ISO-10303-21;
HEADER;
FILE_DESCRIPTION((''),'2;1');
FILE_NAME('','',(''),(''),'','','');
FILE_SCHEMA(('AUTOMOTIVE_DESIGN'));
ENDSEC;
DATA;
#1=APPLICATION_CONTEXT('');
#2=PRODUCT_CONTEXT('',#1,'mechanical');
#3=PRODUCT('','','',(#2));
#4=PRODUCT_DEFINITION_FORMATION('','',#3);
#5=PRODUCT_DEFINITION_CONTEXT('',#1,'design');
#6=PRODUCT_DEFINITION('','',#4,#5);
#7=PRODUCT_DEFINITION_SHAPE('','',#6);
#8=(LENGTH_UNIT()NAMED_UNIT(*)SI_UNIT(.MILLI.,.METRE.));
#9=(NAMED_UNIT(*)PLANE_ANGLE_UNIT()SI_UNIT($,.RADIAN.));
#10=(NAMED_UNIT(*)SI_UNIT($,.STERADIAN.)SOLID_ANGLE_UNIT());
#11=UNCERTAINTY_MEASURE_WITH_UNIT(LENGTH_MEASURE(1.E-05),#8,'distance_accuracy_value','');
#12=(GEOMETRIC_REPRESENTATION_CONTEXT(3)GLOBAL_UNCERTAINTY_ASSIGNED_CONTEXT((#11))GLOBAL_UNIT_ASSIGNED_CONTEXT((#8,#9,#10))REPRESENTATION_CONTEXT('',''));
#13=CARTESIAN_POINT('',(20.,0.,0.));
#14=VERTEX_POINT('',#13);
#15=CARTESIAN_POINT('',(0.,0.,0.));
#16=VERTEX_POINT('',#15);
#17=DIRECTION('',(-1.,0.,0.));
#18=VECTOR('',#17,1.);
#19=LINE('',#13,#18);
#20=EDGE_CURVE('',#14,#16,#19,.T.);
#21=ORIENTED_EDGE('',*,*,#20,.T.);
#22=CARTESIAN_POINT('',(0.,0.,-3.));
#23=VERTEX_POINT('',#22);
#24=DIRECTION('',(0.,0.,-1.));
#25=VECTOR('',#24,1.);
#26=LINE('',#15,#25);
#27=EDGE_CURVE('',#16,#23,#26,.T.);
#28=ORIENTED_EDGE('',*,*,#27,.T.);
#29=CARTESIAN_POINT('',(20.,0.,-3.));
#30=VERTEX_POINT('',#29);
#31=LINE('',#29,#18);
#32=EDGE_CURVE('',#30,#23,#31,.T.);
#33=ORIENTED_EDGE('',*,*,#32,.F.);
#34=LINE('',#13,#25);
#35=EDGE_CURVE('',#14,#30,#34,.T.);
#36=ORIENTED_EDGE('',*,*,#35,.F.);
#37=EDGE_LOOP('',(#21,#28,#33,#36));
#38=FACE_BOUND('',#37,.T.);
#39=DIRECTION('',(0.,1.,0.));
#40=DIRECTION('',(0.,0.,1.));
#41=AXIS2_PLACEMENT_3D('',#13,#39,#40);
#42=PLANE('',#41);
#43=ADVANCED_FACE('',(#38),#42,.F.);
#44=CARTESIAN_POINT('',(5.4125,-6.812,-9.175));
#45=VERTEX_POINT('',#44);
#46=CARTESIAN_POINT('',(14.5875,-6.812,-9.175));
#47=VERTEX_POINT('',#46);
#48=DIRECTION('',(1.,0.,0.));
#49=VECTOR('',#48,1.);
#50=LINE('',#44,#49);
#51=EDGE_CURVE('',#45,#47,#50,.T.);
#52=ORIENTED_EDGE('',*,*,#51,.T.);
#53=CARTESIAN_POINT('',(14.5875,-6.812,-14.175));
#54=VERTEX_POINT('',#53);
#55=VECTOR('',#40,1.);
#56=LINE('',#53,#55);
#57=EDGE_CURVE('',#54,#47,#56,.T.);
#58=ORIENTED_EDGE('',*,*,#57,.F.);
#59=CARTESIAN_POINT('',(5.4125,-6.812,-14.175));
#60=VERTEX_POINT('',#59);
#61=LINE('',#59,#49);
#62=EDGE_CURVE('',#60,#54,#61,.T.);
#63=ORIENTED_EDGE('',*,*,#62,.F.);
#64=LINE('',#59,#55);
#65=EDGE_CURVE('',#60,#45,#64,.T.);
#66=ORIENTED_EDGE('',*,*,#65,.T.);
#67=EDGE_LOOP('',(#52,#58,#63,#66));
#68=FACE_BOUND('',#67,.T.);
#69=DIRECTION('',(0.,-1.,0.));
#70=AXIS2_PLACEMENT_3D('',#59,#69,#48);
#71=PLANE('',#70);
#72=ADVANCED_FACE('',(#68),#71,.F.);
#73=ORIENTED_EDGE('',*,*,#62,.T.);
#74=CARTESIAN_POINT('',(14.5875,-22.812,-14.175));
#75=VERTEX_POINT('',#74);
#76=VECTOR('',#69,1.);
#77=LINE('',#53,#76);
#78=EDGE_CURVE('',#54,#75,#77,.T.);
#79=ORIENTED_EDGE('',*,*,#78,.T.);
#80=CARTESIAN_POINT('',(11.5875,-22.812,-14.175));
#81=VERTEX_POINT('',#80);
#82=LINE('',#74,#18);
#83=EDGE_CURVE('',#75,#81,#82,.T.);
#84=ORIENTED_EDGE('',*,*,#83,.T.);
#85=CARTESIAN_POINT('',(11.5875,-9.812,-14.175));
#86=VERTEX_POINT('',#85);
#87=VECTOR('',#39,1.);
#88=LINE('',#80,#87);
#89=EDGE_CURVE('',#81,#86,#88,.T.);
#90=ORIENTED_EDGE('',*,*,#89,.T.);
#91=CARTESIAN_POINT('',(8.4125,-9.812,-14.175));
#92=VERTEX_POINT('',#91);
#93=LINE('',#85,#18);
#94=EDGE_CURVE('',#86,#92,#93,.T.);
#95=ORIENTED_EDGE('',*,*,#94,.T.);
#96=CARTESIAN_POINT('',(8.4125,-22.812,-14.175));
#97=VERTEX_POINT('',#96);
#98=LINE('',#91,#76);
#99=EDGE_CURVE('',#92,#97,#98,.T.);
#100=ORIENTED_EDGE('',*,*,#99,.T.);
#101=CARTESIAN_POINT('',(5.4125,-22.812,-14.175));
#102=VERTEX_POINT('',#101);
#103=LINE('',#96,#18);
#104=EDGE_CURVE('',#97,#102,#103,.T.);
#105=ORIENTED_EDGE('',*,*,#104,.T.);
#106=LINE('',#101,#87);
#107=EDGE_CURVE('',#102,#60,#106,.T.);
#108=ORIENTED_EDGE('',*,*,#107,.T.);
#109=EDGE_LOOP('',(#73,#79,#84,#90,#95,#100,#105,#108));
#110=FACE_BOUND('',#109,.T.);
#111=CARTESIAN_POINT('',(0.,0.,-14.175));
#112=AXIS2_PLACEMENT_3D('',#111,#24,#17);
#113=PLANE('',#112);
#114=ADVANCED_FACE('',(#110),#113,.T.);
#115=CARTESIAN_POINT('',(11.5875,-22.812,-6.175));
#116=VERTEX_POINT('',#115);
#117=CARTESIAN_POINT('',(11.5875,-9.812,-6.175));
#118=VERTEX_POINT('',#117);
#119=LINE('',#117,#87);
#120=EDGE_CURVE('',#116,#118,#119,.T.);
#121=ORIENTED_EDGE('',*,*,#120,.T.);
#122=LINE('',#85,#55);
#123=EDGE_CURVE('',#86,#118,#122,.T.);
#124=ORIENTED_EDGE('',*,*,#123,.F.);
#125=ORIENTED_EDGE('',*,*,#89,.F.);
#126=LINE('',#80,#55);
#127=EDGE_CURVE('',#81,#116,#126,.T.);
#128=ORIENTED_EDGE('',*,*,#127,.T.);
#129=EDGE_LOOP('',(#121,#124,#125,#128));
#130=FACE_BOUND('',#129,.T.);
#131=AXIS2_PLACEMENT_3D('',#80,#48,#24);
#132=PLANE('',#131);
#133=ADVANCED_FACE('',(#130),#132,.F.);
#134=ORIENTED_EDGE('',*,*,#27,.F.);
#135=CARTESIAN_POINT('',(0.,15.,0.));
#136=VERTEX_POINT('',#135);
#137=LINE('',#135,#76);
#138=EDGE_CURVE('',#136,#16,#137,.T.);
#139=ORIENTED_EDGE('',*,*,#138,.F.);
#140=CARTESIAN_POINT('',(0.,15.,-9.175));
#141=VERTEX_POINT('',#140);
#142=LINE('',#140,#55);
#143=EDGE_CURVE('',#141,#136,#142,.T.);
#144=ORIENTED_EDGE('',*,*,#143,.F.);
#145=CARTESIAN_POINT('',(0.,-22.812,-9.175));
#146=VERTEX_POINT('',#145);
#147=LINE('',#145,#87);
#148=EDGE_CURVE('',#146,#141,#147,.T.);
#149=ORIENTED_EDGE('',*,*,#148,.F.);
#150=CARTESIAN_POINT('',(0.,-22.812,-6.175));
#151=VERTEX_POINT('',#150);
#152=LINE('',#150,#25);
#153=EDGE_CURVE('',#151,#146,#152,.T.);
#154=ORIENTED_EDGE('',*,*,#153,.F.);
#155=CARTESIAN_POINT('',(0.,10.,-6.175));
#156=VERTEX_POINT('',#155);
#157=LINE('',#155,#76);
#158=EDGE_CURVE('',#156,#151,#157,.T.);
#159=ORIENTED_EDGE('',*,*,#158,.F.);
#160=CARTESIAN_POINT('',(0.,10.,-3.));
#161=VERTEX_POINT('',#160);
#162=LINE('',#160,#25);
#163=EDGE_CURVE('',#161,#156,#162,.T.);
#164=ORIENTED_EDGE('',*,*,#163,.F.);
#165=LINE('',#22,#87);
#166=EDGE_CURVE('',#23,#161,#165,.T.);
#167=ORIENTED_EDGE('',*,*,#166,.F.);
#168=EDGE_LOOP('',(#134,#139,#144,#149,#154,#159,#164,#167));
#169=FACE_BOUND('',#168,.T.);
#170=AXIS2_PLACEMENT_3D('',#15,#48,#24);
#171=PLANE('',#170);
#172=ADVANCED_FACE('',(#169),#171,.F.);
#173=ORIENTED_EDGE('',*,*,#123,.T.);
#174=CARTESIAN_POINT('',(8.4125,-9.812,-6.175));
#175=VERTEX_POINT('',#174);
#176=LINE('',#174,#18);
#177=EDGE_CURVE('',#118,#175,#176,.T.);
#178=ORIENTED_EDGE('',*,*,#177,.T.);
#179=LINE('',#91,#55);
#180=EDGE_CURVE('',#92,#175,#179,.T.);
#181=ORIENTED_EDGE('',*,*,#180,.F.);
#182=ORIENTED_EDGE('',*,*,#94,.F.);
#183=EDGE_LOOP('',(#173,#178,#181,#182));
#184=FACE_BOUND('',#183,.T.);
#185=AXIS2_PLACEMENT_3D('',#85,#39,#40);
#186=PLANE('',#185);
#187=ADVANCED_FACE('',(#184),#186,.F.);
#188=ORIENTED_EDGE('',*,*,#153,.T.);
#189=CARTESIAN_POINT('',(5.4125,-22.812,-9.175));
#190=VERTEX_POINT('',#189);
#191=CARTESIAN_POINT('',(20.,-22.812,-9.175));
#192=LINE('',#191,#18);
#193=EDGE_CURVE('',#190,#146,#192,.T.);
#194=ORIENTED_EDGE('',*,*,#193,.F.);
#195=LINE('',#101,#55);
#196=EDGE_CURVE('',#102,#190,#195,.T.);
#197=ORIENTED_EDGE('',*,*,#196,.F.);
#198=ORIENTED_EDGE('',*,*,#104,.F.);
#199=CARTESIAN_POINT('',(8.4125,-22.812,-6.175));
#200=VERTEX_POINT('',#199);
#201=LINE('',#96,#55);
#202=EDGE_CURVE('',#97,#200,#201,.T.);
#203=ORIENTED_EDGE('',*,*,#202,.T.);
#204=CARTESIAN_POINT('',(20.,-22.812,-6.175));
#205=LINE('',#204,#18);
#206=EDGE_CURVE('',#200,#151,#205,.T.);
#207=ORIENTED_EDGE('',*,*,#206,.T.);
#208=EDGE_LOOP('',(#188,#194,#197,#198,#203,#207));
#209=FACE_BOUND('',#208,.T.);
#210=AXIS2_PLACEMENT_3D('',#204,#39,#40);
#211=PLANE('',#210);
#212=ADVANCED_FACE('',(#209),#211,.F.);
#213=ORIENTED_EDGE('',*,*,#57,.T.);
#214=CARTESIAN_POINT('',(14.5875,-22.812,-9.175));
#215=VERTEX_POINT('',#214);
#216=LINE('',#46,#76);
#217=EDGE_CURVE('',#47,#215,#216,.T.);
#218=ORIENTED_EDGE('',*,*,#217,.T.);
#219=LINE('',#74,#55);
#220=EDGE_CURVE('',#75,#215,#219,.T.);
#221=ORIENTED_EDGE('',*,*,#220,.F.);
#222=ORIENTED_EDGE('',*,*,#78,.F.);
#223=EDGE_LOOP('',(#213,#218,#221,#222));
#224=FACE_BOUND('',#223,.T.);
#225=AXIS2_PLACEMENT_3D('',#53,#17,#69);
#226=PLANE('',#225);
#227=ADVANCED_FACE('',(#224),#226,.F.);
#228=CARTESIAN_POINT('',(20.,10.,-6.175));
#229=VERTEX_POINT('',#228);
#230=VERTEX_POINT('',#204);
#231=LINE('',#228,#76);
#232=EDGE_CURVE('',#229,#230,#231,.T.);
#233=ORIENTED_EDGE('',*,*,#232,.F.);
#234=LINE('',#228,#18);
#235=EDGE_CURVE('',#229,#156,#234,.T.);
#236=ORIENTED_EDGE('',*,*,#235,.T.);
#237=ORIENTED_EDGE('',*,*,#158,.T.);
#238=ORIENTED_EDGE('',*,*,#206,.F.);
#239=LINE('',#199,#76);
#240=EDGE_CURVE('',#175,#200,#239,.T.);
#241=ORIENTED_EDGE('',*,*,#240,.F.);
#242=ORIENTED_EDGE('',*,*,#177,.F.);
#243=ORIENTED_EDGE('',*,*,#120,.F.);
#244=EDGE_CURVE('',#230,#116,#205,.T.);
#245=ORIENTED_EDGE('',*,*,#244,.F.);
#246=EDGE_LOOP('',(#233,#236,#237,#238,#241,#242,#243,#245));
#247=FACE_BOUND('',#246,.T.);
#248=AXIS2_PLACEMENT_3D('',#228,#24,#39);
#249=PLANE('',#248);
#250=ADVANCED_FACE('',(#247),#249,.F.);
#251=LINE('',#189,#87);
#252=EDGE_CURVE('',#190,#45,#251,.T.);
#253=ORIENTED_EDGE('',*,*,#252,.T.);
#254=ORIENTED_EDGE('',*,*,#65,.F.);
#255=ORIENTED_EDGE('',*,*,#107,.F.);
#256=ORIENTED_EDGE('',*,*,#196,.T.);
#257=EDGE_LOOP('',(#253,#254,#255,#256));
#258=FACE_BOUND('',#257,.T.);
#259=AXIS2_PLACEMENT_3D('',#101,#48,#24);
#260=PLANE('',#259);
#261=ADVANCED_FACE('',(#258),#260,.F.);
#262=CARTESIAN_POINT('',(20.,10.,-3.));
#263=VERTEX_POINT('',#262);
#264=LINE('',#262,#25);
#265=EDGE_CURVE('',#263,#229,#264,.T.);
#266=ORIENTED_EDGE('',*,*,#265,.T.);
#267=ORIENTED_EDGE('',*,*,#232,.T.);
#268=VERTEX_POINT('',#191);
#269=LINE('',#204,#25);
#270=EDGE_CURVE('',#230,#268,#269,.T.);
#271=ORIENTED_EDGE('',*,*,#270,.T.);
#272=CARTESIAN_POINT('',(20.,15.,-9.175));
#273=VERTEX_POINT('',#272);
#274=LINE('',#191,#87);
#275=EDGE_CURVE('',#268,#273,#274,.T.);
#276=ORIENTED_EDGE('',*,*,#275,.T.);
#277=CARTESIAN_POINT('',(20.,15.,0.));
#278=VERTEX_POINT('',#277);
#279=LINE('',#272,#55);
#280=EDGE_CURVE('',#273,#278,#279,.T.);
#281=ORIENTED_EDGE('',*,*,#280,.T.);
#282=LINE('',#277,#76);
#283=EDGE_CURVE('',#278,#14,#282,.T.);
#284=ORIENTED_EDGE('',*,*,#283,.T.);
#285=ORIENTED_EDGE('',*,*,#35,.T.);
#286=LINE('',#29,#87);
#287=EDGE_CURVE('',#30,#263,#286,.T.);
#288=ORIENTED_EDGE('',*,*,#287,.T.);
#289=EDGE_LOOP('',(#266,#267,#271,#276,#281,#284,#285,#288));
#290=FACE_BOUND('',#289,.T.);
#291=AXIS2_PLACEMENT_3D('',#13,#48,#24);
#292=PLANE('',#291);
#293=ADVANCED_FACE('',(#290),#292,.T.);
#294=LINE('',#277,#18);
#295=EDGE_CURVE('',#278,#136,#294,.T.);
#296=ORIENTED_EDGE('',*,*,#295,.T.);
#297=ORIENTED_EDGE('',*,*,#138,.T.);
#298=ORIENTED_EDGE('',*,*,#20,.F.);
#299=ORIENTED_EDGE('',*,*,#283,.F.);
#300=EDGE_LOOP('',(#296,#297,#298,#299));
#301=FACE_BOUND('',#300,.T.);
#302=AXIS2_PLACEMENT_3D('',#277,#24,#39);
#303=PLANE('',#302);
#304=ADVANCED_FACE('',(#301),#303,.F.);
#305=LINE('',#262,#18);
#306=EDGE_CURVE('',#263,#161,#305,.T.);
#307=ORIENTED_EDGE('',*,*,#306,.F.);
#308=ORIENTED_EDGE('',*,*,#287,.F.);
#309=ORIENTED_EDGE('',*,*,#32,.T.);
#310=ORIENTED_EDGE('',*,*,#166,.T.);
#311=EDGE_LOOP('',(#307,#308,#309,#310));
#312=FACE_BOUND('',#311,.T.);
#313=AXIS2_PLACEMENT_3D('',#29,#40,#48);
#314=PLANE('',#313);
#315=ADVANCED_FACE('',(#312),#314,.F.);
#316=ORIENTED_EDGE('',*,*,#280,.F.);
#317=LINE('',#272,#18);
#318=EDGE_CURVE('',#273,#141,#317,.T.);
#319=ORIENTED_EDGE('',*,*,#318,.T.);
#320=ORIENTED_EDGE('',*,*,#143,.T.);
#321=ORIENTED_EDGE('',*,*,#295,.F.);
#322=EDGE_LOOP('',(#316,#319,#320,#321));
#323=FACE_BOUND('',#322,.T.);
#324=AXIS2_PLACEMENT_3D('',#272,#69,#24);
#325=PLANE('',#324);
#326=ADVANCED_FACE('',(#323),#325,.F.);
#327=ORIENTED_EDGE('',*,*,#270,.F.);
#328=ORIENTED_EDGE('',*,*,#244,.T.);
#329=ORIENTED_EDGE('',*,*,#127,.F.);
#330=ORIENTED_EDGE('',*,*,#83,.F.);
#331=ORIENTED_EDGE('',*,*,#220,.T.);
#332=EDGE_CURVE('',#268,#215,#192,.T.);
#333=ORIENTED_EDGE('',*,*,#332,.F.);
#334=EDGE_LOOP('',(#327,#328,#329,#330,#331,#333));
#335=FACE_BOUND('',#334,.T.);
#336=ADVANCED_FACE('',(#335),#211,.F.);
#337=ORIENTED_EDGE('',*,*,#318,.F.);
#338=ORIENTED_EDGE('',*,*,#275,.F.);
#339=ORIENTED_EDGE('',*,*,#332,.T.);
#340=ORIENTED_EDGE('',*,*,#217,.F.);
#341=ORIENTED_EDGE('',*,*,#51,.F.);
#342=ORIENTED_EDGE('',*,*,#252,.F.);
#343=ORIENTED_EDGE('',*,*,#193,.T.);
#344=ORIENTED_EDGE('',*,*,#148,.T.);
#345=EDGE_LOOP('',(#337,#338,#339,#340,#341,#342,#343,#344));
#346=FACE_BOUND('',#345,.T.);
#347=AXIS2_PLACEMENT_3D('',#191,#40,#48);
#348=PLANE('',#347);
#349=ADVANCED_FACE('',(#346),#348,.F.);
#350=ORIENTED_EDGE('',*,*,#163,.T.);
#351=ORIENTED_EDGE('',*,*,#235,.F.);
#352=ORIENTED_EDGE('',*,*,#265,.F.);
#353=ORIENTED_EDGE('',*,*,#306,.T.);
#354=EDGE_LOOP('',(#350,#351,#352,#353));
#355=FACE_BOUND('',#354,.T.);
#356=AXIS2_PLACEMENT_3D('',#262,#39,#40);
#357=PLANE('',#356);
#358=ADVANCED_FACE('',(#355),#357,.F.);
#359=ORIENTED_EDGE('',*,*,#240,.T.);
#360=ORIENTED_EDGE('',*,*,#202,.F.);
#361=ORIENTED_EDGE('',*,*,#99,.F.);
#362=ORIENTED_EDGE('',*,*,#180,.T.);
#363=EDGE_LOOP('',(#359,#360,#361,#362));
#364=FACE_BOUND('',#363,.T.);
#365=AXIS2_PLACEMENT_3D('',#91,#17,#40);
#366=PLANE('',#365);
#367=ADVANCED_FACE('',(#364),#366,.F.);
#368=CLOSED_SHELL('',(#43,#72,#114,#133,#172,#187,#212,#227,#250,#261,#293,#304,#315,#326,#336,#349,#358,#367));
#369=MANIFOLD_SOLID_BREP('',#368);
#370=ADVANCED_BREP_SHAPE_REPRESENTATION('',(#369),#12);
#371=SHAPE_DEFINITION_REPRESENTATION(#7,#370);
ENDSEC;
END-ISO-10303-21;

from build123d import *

# Parameters (mm, degrees)
BOSS_EXTRUDE1_DEPTH = 20
BOSS_EXTRUDE2_DEPTH = 5
SKETCH3_W           = 3.175
SKETCH3_H           = 13
CUT_EXTRUDE1_DEPTH  = 3


with BuildPart() as part:
    # Sketch1 → Boss-Extrude1 (new body)
    with BuildSketch(Plane(origin=(0, 0, 0), x_dir=(0, 0, -1), z_dir=(1, 0, 0))):
        Polygon((0, 0), (3, 0), (3, 10), (6.175, 10), (6.175, -22.812), (9.175, -22.812), (9.175, 15), (0, 15), align=None)
    extrude(amount=BOSS_EXTRUDE1_DEPTH)

    # Sketch2 → Boss-Extrude2 (add)
    with BuildSketch(Plane(origin=(0, 0, -9.175), x_dir=(-1, 0, 0), z_dir=(0, 0, -1))):
        Polygon((-11.5875, -22.812), (-11.5875, -9.812), (-8.4125, -9.812), (-8.4125, -22.812), (-5.4125, -22.812), (-5.4125, -6.812), (-14.5875, -6.812), (-14.5875, -22.812), align=None)
    extrude(amount=BOSS_EXTRUDE2_DEPTH)

    # Sketch3 → Cut-Extrude1 (cut)
    with BuildSketch(Plane(origin=(0, 0, -9.175), x_dir=(-1, 0, 0), z_dir=(0, 0, -1))):
        with Locations((-10, -16.312)):
            Rectangle(SKETCH3_W, SKETCH3_H)
    extrude(amount=-CUT_EXTRUDE1_DEPTH, mode=Mode.SUBTRACT)


solid = part.part
